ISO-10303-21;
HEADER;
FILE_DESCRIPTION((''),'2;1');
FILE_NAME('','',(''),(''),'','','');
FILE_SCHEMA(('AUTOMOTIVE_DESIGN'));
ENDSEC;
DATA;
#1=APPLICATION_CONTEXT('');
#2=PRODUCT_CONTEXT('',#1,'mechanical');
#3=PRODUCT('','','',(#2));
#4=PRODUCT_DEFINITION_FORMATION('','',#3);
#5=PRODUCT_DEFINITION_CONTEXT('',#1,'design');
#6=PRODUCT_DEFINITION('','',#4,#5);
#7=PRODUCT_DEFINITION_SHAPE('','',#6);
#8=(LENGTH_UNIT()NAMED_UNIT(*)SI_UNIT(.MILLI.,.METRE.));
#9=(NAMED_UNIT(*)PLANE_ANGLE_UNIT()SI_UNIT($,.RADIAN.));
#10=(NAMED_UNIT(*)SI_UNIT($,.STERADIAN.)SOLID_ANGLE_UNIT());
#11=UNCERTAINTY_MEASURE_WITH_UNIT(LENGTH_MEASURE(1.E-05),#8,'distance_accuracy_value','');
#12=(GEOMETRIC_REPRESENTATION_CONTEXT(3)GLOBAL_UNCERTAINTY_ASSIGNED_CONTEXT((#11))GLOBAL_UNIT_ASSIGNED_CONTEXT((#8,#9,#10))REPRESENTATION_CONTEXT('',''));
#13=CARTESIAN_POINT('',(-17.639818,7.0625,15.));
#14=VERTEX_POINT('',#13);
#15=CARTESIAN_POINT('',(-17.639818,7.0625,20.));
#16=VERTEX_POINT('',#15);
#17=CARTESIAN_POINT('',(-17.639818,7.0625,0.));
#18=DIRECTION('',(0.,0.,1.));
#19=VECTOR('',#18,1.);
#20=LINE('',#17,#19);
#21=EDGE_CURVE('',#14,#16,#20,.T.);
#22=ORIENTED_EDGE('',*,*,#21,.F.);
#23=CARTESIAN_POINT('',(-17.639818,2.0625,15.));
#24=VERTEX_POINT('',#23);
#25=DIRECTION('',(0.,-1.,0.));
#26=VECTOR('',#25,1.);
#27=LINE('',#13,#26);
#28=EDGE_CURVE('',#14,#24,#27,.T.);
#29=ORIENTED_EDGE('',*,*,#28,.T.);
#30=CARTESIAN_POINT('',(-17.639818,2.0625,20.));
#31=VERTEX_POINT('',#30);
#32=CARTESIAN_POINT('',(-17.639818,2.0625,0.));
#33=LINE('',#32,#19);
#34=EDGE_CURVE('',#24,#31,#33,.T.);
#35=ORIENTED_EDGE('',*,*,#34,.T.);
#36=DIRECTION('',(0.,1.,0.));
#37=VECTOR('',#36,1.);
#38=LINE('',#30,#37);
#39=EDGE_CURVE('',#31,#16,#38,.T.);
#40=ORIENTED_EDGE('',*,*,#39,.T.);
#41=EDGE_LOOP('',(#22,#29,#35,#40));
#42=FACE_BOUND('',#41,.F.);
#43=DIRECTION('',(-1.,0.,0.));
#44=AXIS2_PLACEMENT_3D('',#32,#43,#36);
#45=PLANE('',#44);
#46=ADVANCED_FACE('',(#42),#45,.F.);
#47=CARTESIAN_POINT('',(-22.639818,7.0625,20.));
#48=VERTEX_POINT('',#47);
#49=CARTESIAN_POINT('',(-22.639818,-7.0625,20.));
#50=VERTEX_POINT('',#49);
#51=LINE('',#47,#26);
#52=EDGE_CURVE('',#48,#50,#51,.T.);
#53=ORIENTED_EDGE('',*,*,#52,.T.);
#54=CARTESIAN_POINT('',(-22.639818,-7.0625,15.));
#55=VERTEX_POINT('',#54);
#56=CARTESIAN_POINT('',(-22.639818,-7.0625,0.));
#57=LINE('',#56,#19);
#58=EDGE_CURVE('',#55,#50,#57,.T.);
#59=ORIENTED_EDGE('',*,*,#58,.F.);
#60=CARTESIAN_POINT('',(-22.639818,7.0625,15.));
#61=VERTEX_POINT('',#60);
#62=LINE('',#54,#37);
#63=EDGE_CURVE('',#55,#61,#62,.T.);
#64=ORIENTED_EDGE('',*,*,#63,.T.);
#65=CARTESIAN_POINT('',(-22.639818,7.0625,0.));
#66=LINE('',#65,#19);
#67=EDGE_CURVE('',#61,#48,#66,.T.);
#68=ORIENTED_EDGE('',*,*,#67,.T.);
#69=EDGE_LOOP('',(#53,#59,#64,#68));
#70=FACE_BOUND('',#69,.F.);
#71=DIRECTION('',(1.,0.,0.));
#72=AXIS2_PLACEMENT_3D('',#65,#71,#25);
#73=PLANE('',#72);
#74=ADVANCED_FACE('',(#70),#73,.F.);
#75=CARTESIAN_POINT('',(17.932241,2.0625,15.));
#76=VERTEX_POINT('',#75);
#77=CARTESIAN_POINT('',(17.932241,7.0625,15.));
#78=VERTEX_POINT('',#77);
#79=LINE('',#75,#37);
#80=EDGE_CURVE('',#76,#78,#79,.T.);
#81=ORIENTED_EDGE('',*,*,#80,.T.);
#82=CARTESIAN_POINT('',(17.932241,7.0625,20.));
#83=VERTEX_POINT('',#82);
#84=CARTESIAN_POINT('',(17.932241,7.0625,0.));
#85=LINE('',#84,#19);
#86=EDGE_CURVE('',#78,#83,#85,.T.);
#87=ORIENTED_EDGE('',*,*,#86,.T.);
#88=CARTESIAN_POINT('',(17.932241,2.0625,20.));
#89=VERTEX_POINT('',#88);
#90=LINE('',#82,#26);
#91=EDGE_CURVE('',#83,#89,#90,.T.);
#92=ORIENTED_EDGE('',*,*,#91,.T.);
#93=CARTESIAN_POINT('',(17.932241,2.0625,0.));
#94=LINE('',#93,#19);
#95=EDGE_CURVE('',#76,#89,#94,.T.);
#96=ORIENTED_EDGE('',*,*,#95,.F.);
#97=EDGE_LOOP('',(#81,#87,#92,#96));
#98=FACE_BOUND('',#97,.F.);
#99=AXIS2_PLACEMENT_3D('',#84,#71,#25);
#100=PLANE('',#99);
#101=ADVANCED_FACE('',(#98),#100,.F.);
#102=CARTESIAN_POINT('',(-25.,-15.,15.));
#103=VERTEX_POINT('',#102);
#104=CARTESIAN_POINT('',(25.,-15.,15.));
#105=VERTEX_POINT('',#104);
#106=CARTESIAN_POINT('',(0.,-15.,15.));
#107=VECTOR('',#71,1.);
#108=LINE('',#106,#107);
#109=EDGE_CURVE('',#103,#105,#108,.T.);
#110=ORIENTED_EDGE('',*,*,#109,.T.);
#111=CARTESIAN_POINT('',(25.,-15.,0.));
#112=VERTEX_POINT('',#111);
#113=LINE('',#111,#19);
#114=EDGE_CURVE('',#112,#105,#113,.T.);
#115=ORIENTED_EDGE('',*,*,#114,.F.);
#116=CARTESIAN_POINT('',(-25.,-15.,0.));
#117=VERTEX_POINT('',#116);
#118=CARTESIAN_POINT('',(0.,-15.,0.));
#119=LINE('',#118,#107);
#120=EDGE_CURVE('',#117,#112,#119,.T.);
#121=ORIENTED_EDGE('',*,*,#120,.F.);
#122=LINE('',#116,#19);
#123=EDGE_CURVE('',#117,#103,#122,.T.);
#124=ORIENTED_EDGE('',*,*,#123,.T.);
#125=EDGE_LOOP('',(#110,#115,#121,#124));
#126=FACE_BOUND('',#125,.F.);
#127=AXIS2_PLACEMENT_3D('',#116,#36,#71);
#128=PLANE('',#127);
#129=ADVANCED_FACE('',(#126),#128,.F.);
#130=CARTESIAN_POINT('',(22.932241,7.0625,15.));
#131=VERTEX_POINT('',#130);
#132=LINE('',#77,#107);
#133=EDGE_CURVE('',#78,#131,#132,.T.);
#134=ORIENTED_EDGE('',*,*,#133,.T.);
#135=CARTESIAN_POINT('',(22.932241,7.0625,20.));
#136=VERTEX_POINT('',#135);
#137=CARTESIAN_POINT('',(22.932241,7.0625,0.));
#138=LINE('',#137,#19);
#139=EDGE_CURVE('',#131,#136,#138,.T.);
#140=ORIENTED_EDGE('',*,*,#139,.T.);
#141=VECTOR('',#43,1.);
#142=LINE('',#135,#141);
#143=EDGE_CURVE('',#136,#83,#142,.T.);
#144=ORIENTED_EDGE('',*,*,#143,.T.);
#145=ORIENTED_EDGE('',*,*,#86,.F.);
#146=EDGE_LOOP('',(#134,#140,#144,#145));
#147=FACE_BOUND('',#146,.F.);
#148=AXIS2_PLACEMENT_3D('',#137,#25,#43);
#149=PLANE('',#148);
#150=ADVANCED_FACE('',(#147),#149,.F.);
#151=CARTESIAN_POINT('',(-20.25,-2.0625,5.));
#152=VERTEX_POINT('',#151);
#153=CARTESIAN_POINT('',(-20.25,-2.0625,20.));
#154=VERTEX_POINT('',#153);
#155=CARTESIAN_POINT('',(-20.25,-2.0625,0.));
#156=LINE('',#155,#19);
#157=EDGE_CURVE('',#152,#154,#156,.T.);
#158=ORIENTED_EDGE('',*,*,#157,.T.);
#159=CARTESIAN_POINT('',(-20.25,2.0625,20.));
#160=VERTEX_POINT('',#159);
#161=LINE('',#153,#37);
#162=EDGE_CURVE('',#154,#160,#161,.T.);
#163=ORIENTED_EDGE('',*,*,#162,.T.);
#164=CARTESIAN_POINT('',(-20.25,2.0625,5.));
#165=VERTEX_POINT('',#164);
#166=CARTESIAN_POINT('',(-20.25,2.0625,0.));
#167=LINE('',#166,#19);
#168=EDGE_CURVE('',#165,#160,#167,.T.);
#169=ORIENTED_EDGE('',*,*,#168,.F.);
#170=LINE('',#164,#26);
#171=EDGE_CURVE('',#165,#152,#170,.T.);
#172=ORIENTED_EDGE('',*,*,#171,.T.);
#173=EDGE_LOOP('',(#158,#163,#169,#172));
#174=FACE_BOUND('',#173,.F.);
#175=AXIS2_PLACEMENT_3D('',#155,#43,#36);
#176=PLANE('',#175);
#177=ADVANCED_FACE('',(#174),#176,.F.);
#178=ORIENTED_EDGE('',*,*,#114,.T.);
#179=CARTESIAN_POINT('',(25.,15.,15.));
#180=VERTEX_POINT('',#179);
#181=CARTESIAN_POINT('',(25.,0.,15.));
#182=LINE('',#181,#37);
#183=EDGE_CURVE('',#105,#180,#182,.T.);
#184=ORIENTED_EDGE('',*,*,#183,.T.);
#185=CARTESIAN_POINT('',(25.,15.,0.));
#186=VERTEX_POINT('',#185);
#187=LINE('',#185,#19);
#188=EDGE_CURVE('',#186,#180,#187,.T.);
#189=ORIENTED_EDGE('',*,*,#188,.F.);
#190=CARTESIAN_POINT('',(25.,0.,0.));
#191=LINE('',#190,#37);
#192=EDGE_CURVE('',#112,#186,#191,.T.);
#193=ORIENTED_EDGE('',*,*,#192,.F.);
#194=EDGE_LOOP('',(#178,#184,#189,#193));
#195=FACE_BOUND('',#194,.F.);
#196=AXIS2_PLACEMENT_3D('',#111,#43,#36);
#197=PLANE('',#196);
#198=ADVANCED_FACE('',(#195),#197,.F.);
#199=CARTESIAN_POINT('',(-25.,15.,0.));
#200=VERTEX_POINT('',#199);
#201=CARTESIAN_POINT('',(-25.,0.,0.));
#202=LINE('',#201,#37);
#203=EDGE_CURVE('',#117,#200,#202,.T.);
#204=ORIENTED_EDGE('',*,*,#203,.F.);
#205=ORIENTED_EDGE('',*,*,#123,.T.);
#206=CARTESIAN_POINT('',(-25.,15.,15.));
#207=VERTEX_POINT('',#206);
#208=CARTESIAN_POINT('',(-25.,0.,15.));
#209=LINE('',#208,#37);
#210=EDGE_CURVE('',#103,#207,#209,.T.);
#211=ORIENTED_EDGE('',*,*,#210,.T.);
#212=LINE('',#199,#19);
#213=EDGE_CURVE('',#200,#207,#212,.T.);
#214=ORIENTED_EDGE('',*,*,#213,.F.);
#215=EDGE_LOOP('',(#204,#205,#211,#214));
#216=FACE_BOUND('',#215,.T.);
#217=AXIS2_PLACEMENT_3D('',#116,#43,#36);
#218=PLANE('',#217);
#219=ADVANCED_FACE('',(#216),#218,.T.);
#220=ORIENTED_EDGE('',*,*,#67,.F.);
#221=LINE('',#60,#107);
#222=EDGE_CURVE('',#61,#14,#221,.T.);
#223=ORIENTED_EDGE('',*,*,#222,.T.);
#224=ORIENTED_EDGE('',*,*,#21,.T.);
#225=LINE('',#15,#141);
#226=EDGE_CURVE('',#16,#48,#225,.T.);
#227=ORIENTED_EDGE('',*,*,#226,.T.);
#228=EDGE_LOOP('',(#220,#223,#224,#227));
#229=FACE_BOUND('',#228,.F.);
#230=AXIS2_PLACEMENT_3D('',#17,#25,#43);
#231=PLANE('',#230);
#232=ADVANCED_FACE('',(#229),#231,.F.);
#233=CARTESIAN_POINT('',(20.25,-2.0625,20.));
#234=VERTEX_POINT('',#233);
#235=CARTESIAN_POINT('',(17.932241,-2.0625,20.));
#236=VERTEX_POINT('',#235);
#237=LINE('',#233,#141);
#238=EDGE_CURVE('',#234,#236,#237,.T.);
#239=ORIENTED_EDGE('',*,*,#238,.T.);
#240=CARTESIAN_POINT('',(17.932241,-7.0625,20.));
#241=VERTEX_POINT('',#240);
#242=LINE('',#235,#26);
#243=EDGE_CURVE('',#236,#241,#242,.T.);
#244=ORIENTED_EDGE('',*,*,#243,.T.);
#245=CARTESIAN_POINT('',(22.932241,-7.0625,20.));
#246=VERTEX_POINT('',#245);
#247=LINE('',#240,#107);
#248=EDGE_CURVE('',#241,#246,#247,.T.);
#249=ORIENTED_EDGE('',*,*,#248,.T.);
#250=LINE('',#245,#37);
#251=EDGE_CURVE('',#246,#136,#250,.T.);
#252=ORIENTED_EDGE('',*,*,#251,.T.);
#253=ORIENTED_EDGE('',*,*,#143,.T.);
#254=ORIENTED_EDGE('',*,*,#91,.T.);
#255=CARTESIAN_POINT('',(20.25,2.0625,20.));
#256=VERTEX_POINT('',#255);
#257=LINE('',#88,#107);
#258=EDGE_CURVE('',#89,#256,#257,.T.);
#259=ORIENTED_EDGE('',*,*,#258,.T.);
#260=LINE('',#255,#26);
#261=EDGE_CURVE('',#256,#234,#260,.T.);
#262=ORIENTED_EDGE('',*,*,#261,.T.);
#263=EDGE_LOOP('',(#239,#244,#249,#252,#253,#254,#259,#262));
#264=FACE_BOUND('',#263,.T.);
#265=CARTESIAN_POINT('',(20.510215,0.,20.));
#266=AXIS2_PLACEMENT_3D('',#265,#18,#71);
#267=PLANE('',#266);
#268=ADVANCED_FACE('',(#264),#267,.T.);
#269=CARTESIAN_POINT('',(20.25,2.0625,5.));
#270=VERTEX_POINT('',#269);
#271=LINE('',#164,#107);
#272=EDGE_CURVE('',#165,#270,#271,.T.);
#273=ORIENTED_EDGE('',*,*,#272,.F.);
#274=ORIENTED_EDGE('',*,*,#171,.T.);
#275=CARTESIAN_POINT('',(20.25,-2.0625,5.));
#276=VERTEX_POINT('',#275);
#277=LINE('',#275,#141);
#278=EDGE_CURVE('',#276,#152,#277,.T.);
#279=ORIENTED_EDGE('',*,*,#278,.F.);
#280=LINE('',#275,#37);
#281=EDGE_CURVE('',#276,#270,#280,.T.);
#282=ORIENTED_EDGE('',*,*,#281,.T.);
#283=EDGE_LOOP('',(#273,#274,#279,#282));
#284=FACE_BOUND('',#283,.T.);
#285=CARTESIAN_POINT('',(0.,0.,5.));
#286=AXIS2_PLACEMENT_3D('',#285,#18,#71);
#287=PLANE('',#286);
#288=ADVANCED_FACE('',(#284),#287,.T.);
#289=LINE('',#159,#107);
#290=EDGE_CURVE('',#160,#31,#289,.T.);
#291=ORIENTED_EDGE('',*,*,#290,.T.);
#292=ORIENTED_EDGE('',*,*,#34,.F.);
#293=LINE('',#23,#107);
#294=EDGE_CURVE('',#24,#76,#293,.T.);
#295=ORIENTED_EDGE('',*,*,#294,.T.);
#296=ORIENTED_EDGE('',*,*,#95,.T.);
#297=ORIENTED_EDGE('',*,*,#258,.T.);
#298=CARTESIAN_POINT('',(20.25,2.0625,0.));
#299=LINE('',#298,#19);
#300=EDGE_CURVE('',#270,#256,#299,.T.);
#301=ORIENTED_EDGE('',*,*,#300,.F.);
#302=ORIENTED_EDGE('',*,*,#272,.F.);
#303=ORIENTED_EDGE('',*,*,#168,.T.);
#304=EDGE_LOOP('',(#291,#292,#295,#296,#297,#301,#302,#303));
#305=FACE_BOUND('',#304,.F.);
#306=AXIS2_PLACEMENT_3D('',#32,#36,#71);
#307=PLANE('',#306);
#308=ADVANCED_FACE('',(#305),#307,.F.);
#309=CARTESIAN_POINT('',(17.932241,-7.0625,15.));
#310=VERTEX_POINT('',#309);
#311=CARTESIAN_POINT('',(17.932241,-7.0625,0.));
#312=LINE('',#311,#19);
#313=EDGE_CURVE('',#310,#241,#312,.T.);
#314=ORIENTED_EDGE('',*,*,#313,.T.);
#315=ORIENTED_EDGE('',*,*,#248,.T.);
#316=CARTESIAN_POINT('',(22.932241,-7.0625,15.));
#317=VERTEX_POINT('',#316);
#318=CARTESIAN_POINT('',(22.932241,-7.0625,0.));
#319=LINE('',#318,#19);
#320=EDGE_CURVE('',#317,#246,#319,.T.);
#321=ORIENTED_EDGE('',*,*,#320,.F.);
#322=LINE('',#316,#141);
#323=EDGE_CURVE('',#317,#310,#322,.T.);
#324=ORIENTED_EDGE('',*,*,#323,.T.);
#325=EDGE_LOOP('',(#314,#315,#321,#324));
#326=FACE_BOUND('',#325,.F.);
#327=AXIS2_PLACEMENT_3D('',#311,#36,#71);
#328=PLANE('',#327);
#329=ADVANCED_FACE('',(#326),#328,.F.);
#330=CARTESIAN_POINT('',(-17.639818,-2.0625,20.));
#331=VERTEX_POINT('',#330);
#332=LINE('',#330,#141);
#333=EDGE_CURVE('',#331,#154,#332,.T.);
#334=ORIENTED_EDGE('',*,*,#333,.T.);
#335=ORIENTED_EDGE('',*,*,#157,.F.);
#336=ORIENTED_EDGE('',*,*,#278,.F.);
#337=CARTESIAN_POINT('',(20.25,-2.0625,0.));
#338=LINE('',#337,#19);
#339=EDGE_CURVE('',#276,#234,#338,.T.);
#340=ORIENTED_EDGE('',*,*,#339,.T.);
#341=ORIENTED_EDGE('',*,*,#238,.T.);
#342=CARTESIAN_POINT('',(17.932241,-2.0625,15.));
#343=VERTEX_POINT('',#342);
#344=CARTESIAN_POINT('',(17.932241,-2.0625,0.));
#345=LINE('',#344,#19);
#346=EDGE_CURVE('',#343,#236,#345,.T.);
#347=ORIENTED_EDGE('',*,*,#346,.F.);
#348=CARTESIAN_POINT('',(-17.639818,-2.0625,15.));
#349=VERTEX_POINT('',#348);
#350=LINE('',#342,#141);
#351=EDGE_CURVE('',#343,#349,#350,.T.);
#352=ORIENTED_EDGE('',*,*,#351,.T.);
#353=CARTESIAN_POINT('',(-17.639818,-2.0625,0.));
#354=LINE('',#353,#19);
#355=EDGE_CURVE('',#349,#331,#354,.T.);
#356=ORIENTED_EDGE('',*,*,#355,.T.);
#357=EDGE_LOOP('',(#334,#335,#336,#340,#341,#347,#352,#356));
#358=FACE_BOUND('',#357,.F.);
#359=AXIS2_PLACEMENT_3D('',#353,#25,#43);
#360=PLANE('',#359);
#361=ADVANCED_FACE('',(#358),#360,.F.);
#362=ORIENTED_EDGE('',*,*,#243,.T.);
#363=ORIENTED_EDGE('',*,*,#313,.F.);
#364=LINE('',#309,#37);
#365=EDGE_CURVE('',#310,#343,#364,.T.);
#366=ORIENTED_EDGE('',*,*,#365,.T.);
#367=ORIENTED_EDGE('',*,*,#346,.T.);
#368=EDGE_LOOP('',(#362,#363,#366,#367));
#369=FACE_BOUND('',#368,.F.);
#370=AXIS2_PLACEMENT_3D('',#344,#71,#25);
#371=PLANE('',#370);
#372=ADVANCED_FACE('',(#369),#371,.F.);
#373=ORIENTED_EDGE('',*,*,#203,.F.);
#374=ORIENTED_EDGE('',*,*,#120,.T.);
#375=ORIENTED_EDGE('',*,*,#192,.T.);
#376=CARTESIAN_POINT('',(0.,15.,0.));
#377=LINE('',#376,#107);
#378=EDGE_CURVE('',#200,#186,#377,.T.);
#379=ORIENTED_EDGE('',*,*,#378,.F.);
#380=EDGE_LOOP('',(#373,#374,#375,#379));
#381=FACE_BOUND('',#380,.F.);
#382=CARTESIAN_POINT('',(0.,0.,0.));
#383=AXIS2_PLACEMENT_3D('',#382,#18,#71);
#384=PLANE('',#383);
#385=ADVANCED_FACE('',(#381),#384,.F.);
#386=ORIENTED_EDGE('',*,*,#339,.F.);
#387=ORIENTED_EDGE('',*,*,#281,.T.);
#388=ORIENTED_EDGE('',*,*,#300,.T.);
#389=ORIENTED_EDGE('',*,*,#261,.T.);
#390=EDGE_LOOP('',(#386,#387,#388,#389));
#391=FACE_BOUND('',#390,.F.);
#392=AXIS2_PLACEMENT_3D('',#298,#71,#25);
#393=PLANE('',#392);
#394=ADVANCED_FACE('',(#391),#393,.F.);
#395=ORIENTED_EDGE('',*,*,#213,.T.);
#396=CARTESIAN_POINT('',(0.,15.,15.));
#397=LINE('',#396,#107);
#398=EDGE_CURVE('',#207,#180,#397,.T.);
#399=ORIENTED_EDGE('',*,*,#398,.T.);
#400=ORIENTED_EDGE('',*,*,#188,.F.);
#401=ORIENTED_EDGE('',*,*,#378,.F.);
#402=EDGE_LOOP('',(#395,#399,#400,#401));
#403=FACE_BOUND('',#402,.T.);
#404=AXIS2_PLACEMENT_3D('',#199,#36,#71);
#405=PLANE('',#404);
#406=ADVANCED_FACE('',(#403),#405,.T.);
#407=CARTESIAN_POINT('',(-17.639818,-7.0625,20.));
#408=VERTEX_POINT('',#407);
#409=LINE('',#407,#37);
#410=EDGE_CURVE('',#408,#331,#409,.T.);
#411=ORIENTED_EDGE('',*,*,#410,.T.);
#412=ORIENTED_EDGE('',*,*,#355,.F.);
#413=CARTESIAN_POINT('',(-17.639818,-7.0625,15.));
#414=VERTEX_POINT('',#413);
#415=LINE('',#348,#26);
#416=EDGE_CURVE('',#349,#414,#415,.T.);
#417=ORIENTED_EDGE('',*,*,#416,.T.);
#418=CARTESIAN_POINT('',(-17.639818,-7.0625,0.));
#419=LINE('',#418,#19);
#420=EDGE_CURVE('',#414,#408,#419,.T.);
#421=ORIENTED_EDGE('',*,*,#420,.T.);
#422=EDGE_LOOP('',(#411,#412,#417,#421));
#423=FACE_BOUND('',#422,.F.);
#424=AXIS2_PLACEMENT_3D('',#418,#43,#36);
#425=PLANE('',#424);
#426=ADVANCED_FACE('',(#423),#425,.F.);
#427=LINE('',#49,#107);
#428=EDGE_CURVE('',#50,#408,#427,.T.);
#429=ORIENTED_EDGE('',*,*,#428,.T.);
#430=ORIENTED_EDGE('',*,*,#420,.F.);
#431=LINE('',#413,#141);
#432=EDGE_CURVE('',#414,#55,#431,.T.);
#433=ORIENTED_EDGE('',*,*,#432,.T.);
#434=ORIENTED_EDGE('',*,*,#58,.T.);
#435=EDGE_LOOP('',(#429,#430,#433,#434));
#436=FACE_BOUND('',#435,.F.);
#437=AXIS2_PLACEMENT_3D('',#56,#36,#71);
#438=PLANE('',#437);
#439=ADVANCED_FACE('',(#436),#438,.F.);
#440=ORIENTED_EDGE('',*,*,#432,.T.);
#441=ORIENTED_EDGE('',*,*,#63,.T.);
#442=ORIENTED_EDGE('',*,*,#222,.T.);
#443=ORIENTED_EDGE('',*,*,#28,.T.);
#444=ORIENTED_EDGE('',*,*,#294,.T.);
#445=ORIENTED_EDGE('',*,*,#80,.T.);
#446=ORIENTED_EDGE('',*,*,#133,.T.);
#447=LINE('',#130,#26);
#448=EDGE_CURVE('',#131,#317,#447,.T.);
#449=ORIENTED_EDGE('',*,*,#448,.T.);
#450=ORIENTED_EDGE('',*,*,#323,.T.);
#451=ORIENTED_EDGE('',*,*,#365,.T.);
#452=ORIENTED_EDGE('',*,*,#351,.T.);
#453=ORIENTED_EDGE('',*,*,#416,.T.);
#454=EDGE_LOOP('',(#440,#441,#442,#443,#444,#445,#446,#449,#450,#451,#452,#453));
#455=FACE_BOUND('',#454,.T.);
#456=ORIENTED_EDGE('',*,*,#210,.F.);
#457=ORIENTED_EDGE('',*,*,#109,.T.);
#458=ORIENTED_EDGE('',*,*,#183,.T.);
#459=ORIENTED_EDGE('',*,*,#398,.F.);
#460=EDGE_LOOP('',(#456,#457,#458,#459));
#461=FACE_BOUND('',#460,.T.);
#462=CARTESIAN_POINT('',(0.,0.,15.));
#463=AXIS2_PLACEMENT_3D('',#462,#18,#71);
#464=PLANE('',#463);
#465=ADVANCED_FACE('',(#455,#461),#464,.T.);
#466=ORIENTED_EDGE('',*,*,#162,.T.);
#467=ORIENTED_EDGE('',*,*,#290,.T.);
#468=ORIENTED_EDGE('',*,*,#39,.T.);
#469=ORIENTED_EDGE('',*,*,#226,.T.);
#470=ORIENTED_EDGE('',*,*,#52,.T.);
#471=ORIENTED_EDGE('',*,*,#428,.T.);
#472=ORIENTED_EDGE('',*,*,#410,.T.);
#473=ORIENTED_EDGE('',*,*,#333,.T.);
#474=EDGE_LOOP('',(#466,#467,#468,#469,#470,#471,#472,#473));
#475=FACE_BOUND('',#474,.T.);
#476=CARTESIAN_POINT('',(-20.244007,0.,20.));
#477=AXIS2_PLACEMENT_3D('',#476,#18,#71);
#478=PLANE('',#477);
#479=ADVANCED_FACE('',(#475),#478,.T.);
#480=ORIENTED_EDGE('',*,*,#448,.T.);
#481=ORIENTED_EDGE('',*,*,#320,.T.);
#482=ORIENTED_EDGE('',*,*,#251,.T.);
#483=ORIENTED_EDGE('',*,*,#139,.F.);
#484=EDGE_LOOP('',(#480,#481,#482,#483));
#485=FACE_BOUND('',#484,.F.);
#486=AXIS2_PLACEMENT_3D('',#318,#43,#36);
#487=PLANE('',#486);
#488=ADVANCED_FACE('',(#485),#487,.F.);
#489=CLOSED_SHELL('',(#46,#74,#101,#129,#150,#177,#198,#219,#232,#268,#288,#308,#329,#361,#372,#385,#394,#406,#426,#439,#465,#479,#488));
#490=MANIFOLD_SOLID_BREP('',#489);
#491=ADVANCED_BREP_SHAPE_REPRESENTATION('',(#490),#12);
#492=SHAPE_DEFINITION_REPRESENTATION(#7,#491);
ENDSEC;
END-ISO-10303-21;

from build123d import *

# Parameters (mm, degrees)
F1_DEPTH = 5
F0_W     = 50
F0_H     = 30
F2_DEPTH = 15
F3_DEPTH = 20


with BuildPart() as f1:
    # F0 (on Top) → F1 (new body)
    with BuildSketch(Plane.XY):
        Polygon((17.932241, -2.0625), (20.25, -2.0625), (20.25, 2.0625), (17.932241, 2.0625), (-17.639818, 2.0625), (-20.25, 2.0625), (-20.25, -2.0625), (-17.639818, -2.0625), align=None)
    extrude(amount=F1_DEPTH)

    # F0 (on Top) → F2 (join)
    with BuildSketch(Plane.XY):
        Rectangle(F0_W, F0_H)
        Polygon((17.932241, -7.0625), (17.932241, -2.0625), (-17.639818, -2.0625), (-17.639818, -7.0625), (-22.639818, -7.0625), (-22.639818, 7.0625), (-17.639818, 7.0625), (-17.639818, 2.0625), (17.932241, 2.0625), (17.932241, 7.0625), (22.932241, 7.0625), (22.932241, -7.0625), align=None, mode=Mode.SUBTRACT)
    extrude(amount=F2_DEPTH)

    # F0 (on Top) → F3 (join)
    with BuildSketch(Plane.XY):
        Polygon((-17.639818, -7.0625), (-17.639818, -2.0625), (-20.25, -2.0625), (-20.25, 2.0625), (-17.639818, 2.0625), (-17.639818, 7.0625), (-22.639818, 7.0625), (-22.639818, -7.0625), align=None)
        Polygon((20.25, 2.0625), (20.25, -2.0625), (17.932241, -2.0625), (17.932241, -7.0625), (22.932241, -7.0625), (22.932241, 7.0625), (17.932241, 7.0625), (17.932241, 2.0625), align=None)
    extrude(amount=F3_DEPTH)


solid = f1.part
